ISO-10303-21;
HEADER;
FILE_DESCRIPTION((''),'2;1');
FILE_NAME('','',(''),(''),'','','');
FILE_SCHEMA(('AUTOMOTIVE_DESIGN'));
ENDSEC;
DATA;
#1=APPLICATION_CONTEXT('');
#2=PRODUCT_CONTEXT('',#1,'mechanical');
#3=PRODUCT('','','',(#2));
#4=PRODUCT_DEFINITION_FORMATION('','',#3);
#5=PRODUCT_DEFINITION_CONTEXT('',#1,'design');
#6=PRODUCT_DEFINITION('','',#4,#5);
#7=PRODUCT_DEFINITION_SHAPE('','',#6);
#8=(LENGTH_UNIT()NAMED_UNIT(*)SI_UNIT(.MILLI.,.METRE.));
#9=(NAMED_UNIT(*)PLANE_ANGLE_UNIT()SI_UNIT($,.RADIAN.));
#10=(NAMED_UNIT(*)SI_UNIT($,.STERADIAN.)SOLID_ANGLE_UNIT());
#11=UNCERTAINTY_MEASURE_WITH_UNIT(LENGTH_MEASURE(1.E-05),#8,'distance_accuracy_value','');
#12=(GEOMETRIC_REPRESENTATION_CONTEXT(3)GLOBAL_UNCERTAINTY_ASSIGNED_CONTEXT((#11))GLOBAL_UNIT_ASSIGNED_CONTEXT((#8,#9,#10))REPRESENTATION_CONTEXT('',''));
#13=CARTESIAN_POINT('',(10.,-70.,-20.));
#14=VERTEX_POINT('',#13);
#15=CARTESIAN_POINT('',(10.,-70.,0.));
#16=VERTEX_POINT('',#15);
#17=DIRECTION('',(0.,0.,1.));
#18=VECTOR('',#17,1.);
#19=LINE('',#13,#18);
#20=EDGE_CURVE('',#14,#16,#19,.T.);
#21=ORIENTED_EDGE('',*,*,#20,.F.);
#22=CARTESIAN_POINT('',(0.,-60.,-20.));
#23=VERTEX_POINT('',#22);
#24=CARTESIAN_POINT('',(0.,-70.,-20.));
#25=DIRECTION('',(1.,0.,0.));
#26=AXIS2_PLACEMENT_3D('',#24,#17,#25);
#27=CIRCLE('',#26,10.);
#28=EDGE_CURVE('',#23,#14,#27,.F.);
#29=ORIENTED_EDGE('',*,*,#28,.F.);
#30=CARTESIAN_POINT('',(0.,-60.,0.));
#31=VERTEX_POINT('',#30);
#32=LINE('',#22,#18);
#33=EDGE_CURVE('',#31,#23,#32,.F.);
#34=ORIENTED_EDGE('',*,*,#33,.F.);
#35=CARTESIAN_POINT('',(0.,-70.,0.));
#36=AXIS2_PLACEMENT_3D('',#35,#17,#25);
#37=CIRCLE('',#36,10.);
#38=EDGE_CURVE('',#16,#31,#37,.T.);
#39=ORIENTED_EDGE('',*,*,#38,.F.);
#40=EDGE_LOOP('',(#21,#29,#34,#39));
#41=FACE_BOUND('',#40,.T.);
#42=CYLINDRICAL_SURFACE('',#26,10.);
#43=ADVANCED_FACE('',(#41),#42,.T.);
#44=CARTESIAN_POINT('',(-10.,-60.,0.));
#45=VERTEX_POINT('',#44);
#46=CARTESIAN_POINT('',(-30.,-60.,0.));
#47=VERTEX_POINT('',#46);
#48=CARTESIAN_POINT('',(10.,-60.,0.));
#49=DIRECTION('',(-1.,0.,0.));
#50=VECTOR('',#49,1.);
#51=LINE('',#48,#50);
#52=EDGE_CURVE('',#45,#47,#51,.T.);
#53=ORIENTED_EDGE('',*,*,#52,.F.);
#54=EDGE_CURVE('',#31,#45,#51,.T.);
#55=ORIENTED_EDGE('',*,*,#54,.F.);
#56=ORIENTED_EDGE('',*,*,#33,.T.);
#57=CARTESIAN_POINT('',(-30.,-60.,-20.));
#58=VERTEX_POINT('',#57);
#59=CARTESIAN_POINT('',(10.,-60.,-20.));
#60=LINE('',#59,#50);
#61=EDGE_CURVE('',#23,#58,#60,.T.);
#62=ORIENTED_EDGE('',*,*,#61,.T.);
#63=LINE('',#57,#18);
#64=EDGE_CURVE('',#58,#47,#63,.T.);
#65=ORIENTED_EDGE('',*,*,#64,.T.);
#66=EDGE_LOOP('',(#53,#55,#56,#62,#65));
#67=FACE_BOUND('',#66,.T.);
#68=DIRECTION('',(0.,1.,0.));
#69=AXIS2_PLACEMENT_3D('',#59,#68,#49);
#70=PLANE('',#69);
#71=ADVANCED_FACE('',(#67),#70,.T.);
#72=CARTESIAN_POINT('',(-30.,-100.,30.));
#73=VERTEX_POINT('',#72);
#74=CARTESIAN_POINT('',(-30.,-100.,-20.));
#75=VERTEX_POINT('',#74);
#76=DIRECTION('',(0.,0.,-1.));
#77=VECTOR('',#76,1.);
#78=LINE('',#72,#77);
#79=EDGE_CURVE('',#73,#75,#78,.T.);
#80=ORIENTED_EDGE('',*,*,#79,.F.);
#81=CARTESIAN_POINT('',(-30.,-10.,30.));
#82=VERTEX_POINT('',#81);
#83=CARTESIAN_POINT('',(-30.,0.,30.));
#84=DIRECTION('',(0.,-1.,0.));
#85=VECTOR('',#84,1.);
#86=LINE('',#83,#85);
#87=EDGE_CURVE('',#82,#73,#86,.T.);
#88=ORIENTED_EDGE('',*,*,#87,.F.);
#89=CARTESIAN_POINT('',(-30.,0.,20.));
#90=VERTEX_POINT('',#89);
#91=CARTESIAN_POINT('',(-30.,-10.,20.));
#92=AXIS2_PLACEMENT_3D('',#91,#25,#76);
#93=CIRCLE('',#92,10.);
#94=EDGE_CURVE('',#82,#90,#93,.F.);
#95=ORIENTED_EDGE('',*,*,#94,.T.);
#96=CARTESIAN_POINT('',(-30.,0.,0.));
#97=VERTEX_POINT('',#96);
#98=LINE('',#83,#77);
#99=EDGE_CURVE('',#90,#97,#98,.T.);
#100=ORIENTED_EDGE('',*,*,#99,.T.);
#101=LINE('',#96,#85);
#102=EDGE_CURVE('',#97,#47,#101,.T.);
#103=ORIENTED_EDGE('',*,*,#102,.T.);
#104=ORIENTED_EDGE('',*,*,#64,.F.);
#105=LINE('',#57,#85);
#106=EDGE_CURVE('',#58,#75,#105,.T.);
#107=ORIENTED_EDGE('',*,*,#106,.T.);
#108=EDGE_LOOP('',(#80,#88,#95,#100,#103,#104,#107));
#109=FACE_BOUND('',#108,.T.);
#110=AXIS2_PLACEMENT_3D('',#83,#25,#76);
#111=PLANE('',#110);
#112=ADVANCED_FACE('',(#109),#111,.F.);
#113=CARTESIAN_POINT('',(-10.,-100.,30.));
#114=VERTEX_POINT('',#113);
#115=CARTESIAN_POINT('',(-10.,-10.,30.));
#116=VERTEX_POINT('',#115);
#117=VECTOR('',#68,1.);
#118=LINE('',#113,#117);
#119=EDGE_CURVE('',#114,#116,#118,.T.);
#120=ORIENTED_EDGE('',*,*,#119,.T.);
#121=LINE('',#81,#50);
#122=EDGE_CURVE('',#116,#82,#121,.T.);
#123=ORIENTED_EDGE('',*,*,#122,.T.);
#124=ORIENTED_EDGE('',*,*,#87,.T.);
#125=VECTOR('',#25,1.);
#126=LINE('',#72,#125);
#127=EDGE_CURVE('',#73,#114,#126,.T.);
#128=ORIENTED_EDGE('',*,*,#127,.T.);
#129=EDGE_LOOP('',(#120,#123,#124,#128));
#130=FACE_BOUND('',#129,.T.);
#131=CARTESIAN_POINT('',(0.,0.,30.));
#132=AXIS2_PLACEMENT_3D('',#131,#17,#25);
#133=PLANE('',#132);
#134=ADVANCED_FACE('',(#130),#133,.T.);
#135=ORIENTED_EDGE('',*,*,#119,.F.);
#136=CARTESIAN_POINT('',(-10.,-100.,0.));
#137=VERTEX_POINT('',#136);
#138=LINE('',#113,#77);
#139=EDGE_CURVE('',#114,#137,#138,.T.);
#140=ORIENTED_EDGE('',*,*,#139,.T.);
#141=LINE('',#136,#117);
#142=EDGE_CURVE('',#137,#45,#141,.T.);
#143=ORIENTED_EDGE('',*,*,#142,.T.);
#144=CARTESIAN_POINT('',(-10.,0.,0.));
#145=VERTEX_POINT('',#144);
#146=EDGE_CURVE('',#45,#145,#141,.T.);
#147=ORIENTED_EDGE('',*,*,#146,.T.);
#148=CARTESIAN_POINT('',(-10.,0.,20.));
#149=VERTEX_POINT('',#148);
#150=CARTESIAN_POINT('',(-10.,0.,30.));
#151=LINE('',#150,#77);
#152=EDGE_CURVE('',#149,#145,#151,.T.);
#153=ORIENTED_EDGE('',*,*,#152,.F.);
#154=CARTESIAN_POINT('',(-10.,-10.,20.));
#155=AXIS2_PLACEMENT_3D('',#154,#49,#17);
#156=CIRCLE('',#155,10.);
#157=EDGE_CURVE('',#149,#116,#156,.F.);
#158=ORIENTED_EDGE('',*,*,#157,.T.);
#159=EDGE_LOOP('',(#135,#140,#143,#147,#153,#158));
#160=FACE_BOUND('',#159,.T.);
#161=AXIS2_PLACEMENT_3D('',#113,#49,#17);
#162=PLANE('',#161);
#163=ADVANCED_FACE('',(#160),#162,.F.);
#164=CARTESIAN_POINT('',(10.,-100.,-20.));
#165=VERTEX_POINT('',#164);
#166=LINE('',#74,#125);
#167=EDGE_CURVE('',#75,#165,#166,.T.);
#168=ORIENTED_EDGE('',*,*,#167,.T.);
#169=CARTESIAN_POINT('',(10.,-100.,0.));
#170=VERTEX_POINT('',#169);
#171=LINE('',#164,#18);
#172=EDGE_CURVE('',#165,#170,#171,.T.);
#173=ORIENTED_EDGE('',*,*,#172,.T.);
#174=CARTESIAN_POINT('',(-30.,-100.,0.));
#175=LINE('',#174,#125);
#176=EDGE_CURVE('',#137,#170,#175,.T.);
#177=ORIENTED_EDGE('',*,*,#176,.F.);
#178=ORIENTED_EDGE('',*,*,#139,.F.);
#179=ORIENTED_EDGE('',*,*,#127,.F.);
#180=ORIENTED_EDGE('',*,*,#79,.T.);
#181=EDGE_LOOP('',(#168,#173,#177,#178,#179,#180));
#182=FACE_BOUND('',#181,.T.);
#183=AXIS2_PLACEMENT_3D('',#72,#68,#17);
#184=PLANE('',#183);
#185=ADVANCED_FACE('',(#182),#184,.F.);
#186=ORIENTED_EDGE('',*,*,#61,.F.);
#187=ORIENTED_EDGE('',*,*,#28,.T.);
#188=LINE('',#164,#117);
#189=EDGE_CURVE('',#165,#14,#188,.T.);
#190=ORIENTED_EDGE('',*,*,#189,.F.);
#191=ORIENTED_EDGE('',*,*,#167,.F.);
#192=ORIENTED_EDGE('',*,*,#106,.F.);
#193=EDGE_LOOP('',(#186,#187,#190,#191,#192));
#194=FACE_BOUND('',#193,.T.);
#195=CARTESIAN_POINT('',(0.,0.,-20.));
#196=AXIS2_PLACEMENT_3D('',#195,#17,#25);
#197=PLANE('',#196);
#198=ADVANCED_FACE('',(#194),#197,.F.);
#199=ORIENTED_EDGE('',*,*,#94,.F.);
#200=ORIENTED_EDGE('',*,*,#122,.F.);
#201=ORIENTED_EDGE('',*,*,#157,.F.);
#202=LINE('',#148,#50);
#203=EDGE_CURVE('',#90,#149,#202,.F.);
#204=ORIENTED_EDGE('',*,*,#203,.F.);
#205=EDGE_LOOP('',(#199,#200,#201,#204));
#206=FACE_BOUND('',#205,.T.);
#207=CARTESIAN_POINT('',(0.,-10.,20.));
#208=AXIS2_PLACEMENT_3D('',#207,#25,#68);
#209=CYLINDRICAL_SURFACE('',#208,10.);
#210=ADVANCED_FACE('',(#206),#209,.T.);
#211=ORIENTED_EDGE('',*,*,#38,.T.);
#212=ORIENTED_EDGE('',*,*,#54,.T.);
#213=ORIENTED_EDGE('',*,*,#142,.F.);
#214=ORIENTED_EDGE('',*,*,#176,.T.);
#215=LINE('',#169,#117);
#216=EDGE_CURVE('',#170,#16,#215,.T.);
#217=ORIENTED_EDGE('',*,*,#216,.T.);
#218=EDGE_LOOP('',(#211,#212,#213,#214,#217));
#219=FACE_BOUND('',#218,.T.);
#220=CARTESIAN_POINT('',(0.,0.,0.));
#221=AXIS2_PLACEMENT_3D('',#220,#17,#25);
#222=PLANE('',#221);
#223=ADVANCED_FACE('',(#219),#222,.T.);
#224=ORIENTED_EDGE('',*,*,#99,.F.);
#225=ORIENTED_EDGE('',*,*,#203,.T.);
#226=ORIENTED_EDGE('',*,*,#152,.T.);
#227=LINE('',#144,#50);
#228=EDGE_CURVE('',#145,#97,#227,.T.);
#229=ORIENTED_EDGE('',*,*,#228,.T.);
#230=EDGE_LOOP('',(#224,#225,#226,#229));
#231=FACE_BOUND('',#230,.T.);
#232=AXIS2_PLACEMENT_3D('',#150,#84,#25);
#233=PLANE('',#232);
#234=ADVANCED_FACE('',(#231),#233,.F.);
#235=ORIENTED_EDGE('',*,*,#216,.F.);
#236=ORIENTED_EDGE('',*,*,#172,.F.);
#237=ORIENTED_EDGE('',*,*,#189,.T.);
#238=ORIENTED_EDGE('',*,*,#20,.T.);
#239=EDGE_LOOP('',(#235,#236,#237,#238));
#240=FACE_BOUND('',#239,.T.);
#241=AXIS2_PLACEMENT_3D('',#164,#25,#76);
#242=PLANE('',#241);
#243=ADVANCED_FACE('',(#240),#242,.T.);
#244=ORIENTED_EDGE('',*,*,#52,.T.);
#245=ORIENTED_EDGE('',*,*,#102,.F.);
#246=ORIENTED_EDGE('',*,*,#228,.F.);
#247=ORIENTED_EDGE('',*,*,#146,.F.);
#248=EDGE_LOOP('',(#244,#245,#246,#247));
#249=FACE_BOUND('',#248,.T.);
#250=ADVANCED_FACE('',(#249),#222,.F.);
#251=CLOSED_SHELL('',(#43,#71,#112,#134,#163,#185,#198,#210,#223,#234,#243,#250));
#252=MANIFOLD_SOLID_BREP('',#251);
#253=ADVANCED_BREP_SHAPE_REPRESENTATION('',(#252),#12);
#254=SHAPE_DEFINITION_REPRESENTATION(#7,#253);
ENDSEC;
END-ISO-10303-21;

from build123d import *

# Parameters (mm, degrees)
SKETCH1_W           = 20
SKETCH1_H           = 100
BOSS_EXTRUDE1_DEPTH = 30
SKETCH2_W           = 40
SKETCH2_H           = 40
BOSS_EXTRUDE2_DEPTH = 20
FILLET1_R           = 10


with BuildPart() as part:
    # Sketch1 → Boss-Extrude1 (new body)
    with BuildSketch(Plane.XY):
        with Locations((-20, -50)):
            Rectangle(SKETCH1_W, SKETCH1_H)
    extrude(amount=BOSS_EXTRUDE1_DEPTH)

    # Sketch2 → Boss-Extrude2 (add)
    with BuildSketch(Plane.XY):
        with Locations((-10, -80)):
            Rectangle(SKETCH2_W, SKETCH2_H)
    extrude(amount=-BOSS_EXTRUDE2_DEPTH)

    # Fillet1
    fillet1_edges = [part.edges().sort_by_distance(p)[0] for p in [
        (10, -60, -10),
        (-20, 0, 30),
    ]]
    fillet(fillet1_edges, radius=FILLET1_R)


solid = part.part
